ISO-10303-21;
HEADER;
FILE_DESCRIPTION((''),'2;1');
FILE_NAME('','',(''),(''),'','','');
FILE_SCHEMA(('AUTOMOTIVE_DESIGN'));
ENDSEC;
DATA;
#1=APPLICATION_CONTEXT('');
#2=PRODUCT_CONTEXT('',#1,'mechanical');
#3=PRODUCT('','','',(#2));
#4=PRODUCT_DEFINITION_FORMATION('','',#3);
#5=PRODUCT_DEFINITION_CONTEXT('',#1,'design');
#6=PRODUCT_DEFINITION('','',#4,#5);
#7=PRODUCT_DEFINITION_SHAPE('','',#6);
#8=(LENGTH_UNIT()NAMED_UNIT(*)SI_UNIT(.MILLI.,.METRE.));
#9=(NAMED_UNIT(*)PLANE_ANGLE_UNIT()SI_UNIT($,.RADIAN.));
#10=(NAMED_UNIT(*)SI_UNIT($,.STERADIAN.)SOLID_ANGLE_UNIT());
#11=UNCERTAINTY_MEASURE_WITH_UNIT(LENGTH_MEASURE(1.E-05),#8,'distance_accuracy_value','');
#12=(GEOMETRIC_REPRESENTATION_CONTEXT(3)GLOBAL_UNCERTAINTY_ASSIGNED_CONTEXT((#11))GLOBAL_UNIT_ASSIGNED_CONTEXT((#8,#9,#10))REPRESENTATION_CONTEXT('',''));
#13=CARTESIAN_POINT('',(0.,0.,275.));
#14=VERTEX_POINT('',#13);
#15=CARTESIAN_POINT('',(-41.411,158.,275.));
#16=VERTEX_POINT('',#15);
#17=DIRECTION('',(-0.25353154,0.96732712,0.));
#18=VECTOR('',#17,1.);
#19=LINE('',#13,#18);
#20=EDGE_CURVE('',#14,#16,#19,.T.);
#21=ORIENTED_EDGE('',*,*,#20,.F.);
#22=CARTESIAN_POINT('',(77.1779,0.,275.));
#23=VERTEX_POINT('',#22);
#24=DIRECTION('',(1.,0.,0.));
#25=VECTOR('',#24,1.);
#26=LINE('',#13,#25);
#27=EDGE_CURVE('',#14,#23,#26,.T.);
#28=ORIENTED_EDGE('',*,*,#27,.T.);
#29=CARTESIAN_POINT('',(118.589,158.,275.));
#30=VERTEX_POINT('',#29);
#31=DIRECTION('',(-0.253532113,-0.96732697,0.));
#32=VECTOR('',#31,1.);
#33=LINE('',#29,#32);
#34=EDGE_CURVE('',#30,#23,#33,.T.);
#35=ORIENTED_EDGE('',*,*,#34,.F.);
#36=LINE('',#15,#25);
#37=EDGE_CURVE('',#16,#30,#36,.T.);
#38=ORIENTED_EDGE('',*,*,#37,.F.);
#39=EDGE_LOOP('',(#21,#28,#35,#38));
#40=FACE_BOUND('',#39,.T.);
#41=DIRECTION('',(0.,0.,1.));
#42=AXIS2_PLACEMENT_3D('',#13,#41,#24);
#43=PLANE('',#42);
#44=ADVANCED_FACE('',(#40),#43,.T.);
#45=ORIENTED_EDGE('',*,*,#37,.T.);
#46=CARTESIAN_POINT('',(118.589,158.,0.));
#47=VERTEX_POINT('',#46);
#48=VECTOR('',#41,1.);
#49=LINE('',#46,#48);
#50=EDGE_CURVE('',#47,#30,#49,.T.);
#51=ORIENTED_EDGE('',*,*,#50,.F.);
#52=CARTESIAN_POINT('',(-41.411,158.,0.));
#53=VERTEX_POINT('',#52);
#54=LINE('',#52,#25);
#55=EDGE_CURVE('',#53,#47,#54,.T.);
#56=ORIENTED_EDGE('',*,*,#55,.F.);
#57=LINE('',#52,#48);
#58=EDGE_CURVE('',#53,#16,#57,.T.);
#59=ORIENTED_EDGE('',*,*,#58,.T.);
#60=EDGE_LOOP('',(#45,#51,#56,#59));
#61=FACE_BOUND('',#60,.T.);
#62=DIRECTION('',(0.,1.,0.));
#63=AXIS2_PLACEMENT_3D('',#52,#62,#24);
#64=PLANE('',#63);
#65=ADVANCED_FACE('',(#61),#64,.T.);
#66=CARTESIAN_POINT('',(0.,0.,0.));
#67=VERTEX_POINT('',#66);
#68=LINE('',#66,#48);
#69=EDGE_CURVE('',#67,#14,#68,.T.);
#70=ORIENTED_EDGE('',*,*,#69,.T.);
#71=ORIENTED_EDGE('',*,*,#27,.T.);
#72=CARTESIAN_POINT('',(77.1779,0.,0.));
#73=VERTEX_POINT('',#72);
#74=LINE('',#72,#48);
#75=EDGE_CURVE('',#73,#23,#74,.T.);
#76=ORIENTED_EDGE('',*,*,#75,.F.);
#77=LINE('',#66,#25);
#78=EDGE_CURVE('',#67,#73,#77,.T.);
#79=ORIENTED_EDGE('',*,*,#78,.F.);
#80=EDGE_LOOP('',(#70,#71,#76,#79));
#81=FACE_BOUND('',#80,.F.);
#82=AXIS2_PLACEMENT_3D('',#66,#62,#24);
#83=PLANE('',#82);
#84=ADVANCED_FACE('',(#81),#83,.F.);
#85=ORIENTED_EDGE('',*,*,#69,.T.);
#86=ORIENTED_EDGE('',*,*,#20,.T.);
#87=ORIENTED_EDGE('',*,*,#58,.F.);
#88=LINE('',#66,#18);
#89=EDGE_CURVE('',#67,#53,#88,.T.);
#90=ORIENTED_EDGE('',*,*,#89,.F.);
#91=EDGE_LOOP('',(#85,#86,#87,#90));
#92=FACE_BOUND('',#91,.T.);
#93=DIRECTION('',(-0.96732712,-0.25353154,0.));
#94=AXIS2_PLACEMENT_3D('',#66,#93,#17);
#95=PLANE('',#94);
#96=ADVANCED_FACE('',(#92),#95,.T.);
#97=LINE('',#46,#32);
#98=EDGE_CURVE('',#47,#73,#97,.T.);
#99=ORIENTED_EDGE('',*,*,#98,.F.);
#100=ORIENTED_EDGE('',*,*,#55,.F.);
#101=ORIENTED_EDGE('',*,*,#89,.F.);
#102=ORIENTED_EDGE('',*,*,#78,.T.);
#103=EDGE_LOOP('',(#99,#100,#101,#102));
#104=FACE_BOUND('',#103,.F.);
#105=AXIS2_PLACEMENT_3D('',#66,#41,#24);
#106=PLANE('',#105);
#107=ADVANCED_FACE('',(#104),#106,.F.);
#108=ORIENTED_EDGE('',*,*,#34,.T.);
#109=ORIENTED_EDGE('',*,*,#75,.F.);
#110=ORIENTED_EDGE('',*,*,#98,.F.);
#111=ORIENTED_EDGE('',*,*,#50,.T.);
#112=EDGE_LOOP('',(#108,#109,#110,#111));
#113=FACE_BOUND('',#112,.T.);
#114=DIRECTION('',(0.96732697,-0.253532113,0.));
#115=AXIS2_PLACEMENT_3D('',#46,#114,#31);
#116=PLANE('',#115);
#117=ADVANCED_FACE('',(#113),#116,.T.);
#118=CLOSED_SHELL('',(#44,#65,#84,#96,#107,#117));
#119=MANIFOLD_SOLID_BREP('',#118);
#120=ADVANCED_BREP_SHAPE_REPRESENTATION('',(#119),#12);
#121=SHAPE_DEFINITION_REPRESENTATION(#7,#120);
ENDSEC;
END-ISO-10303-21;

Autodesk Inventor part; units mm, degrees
ref_plane "YZ Plane" through (0, 0, 0) normal (1, 0, 0) x (0, 1, 0)
ref_plane "XZ Plane" through (0, 0, 0) normal (0, 1, 0) x (-1, 0, 0)
ref_plane "XY Plane" through (0, 0, 0) normal (0, 0, 1) x (1, 0, 0)
sketch "Sketch1" plane through (0, 0, 0) normal (0, 0, 1) x (1, 0, 0)
  line L0 (0, 0) -> (77.1779, 0)
  line L1 (0, 0) -> (-41.411, 158)
  line L2 (118.589, 158) -> (77.1779, 0)
  line L3 (38.589, 158) -> (38.589, 0) construction
  line L4 (-41.411, 158) -> (118.589, 158)
  dimension "d6" = 160
  dimension "d7" = 77.1779
  dimension "d8" = 158
extrude "Extrusion1" add sketch "Sketch1" along normal blind 275
properties part number "TA004" material "ABS Plastic"
